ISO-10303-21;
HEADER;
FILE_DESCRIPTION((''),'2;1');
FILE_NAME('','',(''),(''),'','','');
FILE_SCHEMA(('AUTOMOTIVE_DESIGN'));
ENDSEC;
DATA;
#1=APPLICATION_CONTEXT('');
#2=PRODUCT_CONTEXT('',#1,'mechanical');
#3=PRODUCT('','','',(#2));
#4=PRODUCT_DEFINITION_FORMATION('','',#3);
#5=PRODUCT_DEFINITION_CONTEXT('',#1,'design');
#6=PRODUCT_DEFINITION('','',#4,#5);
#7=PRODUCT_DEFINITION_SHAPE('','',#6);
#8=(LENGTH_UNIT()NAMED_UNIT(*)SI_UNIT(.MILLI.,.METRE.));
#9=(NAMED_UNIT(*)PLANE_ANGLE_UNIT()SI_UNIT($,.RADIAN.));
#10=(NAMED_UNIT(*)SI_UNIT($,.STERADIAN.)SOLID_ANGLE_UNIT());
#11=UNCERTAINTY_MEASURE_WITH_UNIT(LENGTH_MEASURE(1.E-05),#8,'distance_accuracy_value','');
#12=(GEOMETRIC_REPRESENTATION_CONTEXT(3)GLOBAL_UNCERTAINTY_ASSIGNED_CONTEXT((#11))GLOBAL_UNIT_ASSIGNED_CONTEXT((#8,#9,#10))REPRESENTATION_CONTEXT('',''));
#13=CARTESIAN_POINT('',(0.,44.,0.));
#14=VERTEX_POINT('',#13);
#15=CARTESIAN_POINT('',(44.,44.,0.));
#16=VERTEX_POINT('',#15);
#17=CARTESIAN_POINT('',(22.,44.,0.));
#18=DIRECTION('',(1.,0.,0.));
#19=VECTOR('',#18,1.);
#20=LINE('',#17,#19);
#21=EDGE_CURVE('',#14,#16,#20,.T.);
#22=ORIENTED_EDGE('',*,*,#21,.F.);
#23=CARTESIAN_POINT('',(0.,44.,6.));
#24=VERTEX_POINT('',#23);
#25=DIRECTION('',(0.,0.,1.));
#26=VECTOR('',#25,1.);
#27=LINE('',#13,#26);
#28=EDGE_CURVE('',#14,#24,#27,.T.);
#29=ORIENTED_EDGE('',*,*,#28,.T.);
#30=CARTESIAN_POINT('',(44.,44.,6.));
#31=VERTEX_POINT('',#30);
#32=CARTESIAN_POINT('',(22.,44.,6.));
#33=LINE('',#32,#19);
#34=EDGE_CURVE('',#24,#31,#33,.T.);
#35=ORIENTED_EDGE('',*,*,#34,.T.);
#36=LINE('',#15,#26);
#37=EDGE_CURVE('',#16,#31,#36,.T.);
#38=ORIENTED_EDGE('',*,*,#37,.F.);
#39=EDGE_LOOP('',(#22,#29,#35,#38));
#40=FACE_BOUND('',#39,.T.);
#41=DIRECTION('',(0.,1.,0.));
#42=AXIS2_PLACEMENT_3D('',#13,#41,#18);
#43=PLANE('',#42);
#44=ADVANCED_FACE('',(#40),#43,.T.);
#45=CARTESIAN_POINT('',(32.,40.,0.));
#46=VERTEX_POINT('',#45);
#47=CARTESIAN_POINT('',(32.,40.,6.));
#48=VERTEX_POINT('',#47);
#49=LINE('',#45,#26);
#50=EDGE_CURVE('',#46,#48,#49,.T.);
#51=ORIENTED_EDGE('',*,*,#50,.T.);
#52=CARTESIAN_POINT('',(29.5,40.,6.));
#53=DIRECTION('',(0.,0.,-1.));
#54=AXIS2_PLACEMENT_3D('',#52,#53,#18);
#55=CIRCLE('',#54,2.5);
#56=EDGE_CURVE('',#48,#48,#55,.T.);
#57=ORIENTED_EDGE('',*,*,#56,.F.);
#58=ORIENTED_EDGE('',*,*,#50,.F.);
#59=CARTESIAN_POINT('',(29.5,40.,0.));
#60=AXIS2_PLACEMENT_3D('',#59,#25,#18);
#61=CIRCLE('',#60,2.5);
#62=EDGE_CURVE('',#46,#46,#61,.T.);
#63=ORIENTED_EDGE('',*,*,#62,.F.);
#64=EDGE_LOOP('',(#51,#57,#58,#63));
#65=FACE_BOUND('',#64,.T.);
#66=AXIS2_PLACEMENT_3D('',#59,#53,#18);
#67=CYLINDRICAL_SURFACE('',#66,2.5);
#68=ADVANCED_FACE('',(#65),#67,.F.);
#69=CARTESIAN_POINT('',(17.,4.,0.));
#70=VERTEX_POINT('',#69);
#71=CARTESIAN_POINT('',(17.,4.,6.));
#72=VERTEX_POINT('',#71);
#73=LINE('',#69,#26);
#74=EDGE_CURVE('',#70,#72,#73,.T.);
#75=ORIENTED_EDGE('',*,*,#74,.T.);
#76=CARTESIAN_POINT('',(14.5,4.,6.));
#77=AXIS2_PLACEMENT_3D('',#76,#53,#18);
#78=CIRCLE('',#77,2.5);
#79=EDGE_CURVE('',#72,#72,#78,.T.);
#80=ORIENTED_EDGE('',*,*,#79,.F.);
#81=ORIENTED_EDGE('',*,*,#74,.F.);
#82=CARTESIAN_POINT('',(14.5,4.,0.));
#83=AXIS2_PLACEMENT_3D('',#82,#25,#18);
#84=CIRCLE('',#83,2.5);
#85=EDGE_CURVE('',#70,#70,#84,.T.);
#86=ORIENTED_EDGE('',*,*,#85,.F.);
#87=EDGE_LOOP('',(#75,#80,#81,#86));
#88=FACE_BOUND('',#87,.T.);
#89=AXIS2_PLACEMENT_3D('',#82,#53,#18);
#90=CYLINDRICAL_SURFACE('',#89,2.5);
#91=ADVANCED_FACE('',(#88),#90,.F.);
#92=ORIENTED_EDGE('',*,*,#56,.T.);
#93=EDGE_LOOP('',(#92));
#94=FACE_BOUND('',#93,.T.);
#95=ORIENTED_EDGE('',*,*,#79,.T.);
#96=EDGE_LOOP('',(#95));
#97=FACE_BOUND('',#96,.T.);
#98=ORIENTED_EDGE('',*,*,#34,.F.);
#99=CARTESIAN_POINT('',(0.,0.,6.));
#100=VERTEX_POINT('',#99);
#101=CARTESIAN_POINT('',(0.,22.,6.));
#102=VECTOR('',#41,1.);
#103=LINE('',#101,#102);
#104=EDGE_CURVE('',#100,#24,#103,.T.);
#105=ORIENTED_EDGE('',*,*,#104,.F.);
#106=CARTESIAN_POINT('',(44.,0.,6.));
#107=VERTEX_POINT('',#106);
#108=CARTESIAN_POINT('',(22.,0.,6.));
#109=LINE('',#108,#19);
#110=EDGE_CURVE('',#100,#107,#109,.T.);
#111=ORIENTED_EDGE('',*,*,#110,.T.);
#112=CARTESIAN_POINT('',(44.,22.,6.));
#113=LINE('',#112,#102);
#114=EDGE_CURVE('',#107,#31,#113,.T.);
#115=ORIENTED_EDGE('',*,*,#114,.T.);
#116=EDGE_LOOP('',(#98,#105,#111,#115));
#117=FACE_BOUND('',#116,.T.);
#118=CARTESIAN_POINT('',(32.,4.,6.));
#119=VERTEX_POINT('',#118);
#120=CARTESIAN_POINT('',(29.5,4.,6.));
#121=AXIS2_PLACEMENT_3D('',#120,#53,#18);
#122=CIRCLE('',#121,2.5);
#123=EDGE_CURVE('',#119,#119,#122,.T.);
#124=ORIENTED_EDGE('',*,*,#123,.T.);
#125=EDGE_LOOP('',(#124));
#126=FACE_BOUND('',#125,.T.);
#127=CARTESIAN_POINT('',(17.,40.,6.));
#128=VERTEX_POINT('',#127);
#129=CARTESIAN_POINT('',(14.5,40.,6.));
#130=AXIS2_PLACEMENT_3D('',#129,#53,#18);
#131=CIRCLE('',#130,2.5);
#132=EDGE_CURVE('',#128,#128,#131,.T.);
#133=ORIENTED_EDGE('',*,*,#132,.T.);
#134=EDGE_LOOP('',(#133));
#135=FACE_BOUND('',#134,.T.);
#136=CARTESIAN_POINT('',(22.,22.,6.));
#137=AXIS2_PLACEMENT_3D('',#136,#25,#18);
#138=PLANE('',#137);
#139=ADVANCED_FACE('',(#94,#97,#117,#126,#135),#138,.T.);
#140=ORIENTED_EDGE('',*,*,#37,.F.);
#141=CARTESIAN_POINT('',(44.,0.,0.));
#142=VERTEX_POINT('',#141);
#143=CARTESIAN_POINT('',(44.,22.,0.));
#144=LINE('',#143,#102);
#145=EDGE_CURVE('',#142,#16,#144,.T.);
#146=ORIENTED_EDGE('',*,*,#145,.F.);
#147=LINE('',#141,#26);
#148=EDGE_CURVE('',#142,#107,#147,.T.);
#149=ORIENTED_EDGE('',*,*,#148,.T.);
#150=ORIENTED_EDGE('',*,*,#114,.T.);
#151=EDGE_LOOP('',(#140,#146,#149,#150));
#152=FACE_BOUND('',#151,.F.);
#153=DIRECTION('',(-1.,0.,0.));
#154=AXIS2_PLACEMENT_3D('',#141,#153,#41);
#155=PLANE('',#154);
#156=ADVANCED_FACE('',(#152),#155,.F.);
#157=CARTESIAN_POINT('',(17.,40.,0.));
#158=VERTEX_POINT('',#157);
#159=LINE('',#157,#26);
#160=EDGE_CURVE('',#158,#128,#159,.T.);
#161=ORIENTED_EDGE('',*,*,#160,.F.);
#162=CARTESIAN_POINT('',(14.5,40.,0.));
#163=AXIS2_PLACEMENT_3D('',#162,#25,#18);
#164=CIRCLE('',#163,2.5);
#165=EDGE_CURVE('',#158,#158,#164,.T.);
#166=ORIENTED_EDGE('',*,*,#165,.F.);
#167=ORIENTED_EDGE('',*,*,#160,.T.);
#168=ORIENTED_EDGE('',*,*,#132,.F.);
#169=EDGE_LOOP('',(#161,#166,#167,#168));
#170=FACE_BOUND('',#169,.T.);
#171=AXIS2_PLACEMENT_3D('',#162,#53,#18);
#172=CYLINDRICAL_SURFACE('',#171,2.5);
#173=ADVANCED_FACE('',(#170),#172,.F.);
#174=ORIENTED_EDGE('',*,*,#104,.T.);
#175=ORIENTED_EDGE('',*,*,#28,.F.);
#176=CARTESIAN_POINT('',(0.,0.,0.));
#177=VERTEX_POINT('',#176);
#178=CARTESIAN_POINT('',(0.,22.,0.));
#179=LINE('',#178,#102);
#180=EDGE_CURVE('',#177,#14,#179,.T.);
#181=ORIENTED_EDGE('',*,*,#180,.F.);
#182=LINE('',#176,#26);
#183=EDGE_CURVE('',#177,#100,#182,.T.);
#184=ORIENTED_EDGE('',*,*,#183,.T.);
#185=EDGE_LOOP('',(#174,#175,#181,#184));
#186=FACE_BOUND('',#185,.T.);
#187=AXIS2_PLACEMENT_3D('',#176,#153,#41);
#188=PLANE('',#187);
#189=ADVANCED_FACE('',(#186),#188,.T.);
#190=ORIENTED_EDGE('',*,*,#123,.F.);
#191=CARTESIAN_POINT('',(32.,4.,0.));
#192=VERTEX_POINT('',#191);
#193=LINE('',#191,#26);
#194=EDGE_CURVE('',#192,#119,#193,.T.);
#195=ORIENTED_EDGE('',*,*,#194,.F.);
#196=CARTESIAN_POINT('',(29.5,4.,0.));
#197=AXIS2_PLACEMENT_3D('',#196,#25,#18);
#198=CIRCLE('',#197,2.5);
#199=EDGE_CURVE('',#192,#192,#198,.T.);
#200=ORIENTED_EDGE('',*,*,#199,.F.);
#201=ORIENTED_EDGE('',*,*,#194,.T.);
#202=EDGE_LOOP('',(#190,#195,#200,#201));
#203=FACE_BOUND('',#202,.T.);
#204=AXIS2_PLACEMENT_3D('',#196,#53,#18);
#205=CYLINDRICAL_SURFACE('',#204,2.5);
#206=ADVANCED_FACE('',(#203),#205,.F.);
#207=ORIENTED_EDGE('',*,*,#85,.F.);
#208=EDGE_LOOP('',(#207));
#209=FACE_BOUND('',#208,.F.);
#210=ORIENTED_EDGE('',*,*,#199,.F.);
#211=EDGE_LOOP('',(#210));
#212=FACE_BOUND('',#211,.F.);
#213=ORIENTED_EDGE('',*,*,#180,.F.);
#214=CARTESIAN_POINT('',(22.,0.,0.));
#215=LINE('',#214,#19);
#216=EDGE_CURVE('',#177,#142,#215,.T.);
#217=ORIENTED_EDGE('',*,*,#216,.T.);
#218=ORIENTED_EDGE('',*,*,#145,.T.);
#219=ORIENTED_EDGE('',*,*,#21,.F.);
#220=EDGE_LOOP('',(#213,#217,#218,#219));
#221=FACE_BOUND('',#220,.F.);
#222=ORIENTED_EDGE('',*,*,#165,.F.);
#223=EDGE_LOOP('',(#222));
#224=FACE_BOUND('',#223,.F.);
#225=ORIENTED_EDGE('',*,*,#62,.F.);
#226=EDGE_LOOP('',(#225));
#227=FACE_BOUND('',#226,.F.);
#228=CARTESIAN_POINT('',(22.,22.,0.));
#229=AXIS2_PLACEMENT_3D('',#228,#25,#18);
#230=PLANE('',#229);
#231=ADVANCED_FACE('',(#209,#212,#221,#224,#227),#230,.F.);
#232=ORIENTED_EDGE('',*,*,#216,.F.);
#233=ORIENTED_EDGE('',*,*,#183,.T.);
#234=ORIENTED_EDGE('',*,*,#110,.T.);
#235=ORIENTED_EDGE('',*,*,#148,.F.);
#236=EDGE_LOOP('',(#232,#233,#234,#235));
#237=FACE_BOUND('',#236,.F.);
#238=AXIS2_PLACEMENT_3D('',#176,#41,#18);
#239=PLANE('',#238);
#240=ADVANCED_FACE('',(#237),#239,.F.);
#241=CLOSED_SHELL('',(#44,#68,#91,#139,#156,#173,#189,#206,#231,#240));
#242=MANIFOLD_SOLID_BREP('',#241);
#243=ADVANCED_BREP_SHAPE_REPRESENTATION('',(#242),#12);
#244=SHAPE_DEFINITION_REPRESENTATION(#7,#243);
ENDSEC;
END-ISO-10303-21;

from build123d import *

# Parameters (mm, degrees)
CYLINDER003_R     = 2.5
CYLINDER003_DEPTH = 10
CYLINDER002_R     = 2.5
CYLINDER002_DEPTH = 10
CYLINDER001_R     = 2.5
CYLINDER001_DEPTH = 10
CYLINDER_R        = 2.5
CYLINDER_DEPTH    = 10
BOX_W             = 44
BOX_H             = 44
BOX_DEPTH         = 6


with BuildPart() as cylinder003:
    # Cylinder003 → Cylinder003 (new body)
    with BuildSketch(Plane(origin=(29.5, 40, 0), x_dir=(1, 0, 0), z_dir=(0, 0, 1))):
        Circle(CYLINDER003_R)
    extrude(amount=CYLINDER003_DEPTH)


with BuildPart() as cylinder002:
    # Cylinder002 → Cylinder002 (new body)
    with BuildSketch(Plane(origin=(14.5, 40, 0), x_dir=(1, 0, 0), z_dir=(0, 0, 1))):
        Circle(CYLINDER002_R)
    extrude(amount=CYLINDER002_DEPTH)


with BuildPart() as cylinder001:
    # Cylinder001 → Cylinder001 (new body)
    with BuildSketch(Plane(origin=(29.5, 4, 0), x_dir=(1, 0, 0), z_dir=(0, 0, 1))):
        Circle(CYLINDER001_R)
    extrude(amount=CYLINDER001_DEPTH)


with BuildPart() as cylinder:
    # Cylinder → Cylinder (new body)
    with BuildSketch(Plane(origin=(14.5, 4, 0), x_dir=(1, 0, 0), z_dir=(0, 0, 1))):
        Circle(CYLINDER_R)
    extrude(amount=CYLINDER_DEPTH)


with BuildPart() as cut003:
    # Box → Box (new body)
    with BuildSketch(Plane.XY):
        with Locations((22, 22)):
            Rectangle(BOX_W, BOX_H)
    extrude(amount=BOX_DEPTH)

    # Cut: cut Cylinder
    add(cylinder.part, mode=Mode.SUBTRACT)

    # Cut001: cut Cylinder001
    add(cylinder001.part, mode=Mode.SUBTRACT)

    # Cut002: cut Cylinder002
    add(cylinder002.part, mode=Mode.SUBTRACT)

    # Cut003: cut Cylinder003
    add(cylinder003.part, mode=Mode.SUBTRACT)


solid = cut003.part
